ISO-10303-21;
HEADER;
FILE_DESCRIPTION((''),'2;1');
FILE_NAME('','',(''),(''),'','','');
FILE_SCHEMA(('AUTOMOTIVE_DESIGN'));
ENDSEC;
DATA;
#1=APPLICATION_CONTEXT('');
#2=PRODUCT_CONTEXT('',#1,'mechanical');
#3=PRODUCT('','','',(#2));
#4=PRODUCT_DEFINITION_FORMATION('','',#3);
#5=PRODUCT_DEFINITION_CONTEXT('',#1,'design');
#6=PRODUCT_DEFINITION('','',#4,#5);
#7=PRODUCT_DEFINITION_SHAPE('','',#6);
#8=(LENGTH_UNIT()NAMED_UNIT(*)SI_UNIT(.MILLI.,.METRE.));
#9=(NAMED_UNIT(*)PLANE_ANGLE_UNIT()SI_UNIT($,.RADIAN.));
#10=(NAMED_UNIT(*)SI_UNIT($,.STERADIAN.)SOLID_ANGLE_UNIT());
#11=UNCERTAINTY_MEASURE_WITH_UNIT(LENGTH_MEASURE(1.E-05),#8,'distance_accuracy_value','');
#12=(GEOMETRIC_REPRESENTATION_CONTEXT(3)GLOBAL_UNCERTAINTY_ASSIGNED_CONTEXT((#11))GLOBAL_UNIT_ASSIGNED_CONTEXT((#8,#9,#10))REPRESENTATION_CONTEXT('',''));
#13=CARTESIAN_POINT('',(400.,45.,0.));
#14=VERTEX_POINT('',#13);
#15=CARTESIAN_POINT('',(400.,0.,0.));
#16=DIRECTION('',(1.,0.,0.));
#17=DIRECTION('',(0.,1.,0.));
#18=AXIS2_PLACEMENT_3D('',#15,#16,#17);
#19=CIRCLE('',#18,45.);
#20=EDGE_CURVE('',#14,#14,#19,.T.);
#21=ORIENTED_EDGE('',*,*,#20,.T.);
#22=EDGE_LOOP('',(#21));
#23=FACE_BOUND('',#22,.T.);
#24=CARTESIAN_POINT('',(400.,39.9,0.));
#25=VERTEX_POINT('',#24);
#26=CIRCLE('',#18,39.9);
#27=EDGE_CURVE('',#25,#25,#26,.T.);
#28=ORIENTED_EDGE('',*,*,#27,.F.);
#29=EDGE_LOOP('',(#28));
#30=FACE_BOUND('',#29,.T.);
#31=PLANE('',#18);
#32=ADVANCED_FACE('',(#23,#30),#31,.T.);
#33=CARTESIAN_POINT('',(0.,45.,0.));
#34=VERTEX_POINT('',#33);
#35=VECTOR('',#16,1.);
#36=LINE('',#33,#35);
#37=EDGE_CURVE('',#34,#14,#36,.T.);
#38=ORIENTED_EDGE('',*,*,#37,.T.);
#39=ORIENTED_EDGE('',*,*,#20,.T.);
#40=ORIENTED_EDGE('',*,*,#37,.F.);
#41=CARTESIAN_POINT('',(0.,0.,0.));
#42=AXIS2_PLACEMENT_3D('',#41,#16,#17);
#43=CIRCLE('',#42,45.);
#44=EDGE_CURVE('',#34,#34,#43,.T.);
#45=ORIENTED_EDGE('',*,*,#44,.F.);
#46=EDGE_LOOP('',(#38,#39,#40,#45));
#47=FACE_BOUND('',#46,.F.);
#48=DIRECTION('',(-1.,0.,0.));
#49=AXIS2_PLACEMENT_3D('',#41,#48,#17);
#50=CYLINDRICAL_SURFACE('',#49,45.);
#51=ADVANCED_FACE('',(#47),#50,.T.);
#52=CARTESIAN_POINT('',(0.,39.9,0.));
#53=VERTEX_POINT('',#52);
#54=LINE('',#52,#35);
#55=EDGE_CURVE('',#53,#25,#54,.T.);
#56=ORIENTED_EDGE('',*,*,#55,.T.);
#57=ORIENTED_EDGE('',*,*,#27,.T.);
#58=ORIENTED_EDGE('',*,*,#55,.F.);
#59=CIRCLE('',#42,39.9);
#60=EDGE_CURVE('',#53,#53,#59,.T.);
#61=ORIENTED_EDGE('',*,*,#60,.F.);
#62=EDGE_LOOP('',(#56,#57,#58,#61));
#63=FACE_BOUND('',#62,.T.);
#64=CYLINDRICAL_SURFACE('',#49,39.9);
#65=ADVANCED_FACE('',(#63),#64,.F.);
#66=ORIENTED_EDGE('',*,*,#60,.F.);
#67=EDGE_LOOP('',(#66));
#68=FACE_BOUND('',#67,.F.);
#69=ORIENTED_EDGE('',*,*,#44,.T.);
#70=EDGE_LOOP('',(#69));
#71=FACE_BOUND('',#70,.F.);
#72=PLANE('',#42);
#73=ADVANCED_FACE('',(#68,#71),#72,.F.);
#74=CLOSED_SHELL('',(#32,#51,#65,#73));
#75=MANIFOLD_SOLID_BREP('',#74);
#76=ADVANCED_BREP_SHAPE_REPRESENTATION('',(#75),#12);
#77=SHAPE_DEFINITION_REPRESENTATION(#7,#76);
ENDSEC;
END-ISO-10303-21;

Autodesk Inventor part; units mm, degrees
ref_plane "YZ Plane" through (0, 0, 0) normal (1, 0, 0) x (0, 1, 0)
ref_plane "XZ Plane" through (0, 0, 0) normal (0, 1, 0) x (-1, 0, 0)
ref_plane "XY Plane" through (0, 0, 0) normal (0, 0, 1) x (1, 0, 0)
sketch "Sketch1" plane through (0, 0, 0) normal (1, 0, 0) x (0, 1, 0)
  circle A0 centre (0, 0) radius 45
  circle A1 centre (0, 0) radius 39.9
  dimension "d0" = 90
  dimension "d1" = 5.1
extrude "Extrusion1" add sketch "Sketch1" along normal blind 400
properties part number "SP001" material "PVC, Unplasticized"
